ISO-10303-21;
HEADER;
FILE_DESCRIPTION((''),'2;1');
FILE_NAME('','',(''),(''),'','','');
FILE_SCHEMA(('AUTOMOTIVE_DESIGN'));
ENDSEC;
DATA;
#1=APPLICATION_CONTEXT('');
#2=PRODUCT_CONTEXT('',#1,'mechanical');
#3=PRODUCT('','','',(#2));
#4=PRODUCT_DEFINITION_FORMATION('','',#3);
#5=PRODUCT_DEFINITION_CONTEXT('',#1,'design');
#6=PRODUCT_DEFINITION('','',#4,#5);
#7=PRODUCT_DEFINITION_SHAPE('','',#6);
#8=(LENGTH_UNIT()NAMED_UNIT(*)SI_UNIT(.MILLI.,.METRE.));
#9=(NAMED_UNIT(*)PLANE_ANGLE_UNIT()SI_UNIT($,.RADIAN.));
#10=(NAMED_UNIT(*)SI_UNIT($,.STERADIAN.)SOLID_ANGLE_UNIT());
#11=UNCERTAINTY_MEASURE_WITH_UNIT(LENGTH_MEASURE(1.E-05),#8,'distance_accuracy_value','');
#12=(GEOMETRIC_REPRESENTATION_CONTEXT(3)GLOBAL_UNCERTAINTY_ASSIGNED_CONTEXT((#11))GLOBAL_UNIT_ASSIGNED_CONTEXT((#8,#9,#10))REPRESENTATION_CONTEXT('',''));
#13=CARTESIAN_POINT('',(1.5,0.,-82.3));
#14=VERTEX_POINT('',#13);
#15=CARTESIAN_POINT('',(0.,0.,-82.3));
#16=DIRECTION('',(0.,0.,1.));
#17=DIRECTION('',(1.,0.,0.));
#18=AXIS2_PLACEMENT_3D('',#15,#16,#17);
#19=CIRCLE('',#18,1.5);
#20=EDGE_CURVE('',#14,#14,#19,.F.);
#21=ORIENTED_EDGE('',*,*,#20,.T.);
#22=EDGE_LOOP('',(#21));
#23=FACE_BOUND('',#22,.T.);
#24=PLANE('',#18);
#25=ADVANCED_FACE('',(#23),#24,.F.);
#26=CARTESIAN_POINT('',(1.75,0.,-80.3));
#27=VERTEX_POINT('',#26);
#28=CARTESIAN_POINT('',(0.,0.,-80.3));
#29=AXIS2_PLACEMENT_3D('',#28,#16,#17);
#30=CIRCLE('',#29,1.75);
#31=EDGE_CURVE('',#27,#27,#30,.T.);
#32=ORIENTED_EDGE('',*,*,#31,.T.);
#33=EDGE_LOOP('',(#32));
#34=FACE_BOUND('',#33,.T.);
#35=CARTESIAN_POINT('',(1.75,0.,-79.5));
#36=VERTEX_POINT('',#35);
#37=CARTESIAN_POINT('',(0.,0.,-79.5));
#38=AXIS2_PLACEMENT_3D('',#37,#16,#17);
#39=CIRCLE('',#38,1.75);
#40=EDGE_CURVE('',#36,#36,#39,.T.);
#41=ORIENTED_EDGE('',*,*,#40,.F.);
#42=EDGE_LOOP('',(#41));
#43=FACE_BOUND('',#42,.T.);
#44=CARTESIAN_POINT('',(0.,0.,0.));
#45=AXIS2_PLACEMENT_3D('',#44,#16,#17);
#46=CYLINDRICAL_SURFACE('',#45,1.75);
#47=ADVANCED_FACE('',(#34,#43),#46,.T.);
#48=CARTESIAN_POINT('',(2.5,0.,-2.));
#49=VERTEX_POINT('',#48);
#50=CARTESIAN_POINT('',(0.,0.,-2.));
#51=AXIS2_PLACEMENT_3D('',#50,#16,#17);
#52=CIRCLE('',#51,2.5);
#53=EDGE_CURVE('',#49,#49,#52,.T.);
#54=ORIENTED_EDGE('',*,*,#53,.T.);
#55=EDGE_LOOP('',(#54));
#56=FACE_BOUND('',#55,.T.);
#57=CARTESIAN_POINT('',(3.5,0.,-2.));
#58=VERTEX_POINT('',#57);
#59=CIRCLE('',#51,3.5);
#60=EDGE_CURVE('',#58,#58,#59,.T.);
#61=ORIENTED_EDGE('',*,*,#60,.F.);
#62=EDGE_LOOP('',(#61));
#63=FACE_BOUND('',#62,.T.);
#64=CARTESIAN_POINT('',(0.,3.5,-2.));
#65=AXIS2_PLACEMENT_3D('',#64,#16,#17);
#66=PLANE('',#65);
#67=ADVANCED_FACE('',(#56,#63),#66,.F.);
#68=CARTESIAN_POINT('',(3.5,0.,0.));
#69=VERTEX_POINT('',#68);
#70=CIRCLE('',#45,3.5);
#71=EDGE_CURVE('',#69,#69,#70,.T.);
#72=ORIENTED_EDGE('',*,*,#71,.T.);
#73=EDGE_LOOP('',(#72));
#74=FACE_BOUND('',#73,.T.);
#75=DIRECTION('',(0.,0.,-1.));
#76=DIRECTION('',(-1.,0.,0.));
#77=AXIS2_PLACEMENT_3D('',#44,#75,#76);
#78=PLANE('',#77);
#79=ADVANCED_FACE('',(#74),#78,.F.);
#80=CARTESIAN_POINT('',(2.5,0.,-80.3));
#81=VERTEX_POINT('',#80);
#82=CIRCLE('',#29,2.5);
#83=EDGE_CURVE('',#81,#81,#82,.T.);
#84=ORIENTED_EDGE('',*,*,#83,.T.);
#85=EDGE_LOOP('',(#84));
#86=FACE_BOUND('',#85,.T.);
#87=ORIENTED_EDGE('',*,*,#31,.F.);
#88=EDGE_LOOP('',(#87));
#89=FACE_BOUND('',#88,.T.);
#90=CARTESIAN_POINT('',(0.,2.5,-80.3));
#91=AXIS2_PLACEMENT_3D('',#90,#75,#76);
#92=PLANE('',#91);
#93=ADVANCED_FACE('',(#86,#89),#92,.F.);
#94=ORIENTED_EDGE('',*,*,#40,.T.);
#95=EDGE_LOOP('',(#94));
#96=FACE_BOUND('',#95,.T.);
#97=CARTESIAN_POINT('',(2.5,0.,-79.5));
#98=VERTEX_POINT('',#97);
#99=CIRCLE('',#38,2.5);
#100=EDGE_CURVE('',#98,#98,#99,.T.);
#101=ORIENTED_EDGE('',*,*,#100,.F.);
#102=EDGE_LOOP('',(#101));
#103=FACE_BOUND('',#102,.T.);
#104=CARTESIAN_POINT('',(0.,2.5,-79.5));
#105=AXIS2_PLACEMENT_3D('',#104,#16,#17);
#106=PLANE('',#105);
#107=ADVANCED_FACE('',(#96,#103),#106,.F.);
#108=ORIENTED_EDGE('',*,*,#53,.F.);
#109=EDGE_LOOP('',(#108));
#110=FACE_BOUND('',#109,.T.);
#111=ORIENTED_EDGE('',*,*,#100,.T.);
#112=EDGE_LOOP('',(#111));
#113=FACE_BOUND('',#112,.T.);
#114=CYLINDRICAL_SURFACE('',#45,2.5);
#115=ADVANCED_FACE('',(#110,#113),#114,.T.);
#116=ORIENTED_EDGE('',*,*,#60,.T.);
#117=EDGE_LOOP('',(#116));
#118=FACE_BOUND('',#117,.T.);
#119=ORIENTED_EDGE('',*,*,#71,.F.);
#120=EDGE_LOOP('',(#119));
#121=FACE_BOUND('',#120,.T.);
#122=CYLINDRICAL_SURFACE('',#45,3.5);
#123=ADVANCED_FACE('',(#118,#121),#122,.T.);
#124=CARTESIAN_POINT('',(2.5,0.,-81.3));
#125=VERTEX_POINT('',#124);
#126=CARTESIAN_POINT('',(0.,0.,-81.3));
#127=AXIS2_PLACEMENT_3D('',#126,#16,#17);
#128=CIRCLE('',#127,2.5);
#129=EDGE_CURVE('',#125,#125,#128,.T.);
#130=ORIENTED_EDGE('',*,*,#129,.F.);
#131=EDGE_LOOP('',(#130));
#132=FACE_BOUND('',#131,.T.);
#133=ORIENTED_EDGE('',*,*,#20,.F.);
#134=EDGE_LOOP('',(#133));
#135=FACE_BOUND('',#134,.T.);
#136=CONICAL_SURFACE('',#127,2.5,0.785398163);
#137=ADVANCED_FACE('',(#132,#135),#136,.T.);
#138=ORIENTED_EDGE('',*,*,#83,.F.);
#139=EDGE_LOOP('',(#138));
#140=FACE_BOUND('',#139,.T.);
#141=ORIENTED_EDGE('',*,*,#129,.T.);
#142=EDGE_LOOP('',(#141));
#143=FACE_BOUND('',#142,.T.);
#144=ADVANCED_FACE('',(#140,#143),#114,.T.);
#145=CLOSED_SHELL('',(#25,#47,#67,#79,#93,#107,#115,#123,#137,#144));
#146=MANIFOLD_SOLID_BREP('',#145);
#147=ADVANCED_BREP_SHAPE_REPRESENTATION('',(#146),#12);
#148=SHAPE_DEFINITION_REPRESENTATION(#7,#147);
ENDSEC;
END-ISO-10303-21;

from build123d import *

# Parameters (mm, degrees)
CHAMFER_1_SIZE = 1


with BuildPart() as part:
    # 草图1 → 旋转1 (revolve)
    with BuildSketch(Plane(origin=(0, 0, 0), x_dir=(0, 0, -1), z_dir=(1, 0, 0)), mode=Mode.PRIVATE) as revolve_1_sk:
        Polygon((79.5, 2.5), (2, 2.5), (2, 3.5), (0, 3.5), (0, 0), (82.3, 0), (82.3, 2.5), (80.3, 2.5), (80.3, 1.75), (79.5, 1.75), align=None)
    revolve(revolve_1_sk.sketch.rotate(Axis((0, 0, 0), (0, 0, -1)), 90), axis=Axis((0, 0, 0), (0, 0, -1)))

    # 倒角1
    chamfer_1_edges = [part.edges().sort_by_distance(p)[0] for p in [
        (-2.5, 0, -82.3),
    ]]
    chamfer(chamfer_1_edges, length=CHAMFER_1_SIZE)


solid = part.part
